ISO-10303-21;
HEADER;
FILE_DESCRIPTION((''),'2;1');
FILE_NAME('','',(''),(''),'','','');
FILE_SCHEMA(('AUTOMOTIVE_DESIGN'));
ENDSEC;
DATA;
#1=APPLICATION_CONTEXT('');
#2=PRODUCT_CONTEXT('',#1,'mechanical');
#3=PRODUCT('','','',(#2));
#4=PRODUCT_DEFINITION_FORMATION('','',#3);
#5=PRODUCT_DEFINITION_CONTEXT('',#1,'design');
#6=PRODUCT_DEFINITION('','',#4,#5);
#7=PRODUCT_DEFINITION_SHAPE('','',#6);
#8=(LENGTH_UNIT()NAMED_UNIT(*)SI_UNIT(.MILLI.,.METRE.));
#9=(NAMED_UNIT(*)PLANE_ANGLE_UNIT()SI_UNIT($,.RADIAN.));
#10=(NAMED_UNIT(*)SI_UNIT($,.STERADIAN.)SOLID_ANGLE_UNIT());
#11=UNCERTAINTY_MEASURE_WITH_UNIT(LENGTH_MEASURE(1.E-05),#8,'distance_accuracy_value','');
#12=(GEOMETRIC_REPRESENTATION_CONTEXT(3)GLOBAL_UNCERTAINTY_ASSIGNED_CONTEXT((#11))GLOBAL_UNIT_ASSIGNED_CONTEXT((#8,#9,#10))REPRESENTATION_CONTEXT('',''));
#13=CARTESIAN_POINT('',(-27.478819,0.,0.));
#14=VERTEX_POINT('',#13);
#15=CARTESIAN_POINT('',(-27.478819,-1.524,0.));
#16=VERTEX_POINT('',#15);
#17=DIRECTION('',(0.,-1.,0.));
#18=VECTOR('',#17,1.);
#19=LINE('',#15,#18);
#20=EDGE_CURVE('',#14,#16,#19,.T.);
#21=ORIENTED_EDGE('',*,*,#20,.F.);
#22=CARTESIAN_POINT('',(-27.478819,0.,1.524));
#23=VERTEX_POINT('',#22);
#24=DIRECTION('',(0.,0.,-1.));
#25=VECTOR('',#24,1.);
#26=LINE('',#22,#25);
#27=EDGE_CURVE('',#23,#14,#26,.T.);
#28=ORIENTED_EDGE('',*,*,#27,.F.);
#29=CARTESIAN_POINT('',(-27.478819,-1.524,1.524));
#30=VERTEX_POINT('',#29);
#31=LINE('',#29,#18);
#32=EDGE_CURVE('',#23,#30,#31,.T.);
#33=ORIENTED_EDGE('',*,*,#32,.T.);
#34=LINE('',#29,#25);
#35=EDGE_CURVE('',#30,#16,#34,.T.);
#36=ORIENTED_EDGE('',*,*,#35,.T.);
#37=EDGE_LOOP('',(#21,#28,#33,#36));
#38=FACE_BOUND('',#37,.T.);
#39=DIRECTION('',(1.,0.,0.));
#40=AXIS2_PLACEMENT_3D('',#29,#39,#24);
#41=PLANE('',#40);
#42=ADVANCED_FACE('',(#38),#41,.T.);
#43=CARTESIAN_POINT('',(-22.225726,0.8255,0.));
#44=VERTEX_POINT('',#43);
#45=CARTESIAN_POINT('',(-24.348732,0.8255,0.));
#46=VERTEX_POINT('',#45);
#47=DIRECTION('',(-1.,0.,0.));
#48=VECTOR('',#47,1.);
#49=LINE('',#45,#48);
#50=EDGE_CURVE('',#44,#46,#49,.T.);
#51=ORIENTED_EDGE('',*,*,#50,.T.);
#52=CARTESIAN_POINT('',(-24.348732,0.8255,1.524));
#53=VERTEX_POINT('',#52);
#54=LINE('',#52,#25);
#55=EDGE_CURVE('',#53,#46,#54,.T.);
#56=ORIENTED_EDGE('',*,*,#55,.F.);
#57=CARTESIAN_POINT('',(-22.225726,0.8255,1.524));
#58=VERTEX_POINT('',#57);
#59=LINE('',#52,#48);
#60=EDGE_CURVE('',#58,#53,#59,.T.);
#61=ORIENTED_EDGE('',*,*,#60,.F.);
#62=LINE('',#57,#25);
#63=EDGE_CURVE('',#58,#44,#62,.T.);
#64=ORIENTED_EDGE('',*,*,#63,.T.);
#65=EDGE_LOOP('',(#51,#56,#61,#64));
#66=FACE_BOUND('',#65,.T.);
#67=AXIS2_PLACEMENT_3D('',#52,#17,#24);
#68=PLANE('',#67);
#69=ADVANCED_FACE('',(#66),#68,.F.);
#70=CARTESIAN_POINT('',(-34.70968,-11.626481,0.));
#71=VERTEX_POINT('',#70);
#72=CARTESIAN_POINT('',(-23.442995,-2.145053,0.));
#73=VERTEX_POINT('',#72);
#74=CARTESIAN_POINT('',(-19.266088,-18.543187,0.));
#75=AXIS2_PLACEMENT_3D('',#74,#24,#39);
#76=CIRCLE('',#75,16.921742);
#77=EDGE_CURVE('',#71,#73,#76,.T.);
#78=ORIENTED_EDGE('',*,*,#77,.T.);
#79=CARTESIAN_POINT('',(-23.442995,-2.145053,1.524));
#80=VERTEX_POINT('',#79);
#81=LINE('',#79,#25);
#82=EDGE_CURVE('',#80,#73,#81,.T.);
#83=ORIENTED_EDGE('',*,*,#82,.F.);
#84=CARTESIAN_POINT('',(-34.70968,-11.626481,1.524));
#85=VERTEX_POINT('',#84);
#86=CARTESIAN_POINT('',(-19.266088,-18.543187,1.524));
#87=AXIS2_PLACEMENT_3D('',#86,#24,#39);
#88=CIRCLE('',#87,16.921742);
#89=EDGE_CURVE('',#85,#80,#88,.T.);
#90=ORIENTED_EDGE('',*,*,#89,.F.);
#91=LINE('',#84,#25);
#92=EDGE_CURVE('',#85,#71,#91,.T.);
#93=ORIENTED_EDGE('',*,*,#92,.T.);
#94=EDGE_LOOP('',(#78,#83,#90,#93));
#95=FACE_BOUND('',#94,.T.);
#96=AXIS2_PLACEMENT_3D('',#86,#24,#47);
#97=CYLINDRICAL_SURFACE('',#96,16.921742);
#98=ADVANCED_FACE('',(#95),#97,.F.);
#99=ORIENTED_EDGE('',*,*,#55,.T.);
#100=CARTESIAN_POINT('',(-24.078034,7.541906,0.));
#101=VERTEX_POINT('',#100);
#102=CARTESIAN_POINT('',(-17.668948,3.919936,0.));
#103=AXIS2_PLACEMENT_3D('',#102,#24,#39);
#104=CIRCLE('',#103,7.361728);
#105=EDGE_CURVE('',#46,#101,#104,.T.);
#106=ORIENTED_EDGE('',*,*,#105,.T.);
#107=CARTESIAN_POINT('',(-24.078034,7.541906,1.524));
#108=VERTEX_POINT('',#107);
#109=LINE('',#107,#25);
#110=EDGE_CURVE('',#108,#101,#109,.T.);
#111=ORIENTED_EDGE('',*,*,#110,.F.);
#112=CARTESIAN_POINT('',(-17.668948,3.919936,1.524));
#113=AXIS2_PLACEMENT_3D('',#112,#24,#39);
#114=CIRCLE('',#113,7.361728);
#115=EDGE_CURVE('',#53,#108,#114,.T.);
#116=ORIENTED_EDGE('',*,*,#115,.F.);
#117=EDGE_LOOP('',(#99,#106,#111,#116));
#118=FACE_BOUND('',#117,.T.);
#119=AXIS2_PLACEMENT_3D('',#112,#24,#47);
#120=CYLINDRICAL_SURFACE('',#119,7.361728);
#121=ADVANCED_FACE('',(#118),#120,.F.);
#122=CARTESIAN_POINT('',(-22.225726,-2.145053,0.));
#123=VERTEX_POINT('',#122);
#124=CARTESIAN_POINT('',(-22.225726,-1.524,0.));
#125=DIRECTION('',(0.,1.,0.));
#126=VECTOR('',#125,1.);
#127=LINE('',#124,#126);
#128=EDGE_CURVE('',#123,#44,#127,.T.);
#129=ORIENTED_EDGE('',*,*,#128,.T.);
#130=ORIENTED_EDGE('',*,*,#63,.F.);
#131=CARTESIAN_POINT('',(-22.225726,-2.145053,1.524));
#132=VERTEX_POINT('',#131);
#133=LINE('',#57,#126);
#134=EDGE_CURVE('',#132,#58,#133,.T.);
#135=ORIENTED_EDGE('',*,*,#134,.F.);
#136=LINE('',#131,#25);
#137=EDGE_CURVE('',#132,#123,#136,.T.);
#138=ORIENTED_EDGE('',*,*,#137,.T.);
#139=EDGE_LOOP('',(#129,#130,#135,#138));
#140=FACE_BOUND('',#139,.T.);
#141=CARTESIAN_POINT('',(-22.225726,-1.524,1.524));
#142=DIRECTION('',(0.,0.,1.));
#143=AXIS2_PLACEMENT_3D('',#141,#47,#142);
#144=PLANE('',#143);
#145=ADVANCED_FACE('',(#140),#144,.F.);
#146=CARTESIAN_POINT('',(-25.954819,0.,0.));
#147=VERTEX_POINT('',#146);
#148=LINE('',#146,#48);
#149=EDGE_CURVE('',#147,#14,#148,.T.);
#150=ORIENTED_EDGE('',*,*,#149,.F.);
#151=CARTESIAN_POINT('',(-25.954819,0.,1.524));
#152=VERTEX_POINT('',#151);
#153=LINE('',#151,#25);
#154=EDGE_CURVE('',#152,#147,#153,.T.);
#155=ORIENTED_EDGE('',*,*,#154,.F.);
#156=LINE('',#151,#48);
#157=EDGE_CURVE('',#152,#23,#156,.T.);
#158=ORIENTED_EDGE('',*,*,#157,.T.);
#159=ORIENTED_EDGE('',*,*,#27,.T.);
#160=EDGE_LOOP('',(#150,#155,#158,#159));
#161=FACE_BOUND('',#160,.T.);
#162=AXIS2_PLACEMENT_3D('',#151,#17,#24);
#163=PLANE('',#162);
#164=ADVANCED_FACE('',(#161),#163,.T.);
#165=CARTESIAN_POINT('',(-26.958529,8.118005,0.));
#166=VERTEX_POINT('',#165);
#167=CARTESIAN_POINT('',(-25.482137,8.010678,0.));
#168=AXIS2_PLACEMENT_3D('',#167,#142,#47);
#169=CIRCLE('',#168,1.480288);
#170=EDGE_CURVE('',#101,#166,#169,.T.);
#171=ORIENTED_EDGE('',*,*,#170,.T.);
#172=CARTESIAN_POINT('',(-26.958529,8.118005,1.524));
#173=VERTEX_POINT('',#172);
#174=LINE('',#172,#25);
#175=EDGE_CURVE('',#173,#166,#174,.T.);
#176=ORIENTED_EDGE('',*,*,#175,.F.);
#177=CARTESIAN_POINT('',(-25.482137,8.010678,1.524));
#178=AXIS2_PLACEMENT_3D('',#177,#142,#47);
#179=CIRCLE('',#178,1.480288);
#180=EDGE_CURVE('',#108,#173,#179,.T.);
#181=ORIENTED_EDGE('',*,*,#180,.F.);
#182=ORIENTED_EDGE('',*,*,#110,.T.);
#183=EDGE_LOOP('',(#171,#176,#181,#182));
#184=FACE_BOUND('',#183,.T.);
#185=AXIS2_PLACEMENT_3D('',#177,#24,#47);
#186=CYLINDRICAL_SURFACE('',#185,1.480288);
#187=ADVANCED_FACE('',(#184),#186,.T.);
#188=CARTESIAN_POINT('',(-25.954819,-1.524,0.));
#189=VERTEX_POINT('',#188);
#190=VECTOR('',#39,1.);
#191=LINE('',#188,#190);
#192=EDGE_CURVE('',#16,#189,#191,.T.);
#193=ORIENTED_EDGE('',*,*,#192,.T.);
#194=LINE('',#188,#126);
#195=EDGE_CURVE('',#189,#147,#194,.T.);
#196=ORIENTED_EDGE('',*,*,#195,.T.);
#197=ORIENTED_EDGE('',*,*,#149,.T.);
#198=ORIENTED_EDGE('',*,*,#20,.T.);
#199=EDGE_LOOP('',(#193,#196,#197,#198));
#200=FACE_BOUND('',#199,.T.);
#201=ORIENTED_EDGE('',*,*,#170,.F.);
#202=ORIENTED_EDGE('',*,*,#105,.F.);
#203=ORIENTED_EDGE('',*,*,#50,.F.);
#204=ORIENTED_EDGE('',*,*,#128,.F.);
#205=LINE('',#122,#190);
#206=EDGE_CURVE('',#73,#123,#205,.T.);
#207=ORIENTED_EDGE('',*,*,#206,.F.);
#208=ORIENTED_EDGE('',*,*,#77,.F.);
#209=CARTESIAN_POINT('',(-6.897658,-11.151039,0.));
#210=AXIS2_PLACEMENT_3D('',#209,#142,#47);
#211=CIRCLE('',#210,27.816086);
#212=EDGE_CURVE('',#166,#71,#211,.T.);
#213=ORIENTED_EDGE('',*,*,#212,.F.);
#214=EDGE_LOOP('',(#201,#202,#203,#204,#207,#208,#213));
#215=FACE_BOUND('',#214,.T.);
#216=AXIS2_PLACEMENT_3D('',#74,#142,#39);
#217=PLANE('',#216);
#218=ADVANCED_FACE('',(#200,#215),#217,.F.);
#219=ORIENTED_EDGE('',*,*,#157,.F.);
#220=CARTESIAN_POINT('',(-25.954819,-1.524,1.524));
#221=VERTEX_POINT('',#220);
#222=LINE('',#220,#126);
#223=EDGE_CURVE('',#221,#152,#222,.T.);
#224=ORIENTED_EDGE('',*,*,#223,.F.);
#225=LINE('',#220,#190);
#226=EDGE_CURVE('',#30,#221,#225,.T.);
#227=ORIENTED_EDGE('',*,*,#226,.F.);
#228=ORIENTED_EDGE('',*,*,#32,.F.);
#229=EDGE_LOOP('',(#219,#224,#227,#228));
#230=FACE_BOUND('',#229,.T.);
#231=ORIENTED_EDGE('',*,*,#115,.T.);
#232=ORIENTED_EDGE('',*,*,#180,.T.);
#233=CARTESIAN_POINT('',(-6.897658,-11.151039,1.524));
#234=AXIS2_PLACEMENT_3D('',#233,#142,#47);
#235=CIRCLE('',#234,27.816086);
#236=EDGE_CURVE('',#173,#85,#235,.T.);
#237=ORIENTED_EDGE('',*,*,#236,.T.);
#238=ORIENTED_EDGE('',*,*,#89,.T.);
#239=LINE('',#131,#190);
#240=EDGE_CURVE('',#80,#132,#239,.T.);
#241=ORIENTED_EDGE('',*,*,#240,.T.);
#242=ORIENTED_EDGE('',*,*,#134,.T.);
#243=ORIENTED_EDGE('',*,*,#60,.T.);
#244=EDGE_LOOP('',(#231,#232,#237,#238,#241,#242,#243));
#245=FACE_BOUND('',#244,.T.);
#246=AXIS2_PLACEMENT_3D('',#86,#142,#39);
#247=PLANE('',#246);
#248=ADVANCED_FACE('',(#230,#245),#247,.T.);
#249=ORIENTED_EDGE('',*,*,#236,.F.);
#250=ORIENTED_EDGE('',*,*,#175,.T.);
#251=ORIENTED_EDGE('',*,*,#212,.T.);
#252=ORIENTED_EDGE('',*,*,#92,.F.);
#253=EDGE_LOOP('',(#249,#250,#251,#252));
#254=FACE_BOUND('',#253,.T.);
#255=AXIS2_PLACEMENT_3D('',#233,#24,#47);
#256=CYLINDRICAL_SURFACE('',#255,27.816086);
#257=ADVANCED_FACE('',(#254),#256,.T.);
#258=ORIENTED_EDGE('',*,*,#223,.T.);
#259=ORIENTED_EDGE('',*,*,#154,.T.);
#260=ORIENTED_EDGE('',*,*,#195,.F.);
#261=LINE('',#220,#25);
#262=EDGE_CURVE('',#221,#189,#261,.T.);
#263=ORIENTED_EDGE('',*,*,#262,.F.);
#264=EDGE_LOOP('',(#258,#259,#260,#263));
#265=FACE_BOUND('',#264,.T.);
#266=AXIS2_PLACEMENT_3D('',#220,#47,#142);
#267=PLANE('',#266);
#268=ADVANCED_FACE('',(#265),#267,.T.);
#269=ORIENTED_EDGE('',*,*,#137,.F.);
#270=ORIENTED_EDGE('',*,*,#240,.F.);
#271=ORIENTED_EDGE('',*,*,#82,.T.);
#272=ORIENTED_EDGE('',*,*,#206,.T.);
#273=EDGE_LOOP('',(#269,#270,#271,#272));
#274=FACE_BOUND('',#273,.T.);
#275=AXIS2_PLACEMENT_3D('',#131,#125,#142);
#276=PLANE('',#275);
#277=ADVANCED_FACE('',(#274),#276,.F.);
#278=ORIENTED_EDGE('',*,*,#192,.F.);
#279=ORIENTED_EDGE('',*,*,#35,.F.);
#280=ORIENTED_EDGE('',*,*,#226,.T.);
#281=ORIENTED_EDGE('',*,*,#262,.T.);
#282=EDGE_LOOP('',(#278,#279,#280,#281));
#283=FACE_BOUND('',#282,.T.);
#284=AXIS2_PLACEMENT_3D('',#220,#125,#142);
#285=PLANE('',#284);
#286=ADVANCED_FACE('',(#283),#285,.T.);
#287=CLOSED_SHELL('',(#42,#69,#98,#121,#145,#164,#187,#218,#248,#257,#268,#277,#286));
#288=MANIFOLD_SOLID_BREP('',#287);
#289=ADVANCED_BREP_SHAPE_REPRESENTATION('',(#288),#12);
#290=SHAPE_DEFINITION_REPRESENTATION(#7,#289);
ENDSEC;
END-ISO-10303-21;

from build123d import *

# Parameters (mm, degrees)
SKETCH1_W           = 1.524
SKETCH1_H           = 1.524
BOSS_EXTRUDE1_DEPTH = 1.524


with BuildPart() as part:
    # Sketch1 → Boss-Extrude1 (new body)
    with BuildSketch(Plane.XY):
        with BuildLine():
            Line((-22.225726205, -1.524), (-22.225726205, -2.14505284))
            Line((-22.225726205, -2.14505284), (-23.442995373, -2.14505284))
            ThreePointArc((-23.442995373, -2.14505284), (-30.161746406, -5.595987037), (-34.709680239, -11.626481223))
            ThreePointArc((-34.709680239, -11.626481223), (-32.790024922, -0.986396807), (-26.958529189, 8.1180049))
            ThreePointArc((-26.958529189, 8.1180049), (-25.191828644, 9.462219786), (-24.078033866, 7.541905835))
            ThreePointArc((-24.078033866, 7.541905835), (-25.02470469, 4.216402452), (-24.348732091, 0.8255))
            Line((-24.348732091, 0.8255), (-22.225726205, 0.8255))
            Line((-22.225726205, 0.8255), (-22.225726205, -1.524))
        make_face()
        with Locations((-26.716818925, -0.762)):
            Rectangle(SKETCH1_W, SKETCH1_H, mode=Mode.SUBTRACT)
    extrude(amount=BOSS_EXTRUDE1_DEPTH)


solid = part.part
